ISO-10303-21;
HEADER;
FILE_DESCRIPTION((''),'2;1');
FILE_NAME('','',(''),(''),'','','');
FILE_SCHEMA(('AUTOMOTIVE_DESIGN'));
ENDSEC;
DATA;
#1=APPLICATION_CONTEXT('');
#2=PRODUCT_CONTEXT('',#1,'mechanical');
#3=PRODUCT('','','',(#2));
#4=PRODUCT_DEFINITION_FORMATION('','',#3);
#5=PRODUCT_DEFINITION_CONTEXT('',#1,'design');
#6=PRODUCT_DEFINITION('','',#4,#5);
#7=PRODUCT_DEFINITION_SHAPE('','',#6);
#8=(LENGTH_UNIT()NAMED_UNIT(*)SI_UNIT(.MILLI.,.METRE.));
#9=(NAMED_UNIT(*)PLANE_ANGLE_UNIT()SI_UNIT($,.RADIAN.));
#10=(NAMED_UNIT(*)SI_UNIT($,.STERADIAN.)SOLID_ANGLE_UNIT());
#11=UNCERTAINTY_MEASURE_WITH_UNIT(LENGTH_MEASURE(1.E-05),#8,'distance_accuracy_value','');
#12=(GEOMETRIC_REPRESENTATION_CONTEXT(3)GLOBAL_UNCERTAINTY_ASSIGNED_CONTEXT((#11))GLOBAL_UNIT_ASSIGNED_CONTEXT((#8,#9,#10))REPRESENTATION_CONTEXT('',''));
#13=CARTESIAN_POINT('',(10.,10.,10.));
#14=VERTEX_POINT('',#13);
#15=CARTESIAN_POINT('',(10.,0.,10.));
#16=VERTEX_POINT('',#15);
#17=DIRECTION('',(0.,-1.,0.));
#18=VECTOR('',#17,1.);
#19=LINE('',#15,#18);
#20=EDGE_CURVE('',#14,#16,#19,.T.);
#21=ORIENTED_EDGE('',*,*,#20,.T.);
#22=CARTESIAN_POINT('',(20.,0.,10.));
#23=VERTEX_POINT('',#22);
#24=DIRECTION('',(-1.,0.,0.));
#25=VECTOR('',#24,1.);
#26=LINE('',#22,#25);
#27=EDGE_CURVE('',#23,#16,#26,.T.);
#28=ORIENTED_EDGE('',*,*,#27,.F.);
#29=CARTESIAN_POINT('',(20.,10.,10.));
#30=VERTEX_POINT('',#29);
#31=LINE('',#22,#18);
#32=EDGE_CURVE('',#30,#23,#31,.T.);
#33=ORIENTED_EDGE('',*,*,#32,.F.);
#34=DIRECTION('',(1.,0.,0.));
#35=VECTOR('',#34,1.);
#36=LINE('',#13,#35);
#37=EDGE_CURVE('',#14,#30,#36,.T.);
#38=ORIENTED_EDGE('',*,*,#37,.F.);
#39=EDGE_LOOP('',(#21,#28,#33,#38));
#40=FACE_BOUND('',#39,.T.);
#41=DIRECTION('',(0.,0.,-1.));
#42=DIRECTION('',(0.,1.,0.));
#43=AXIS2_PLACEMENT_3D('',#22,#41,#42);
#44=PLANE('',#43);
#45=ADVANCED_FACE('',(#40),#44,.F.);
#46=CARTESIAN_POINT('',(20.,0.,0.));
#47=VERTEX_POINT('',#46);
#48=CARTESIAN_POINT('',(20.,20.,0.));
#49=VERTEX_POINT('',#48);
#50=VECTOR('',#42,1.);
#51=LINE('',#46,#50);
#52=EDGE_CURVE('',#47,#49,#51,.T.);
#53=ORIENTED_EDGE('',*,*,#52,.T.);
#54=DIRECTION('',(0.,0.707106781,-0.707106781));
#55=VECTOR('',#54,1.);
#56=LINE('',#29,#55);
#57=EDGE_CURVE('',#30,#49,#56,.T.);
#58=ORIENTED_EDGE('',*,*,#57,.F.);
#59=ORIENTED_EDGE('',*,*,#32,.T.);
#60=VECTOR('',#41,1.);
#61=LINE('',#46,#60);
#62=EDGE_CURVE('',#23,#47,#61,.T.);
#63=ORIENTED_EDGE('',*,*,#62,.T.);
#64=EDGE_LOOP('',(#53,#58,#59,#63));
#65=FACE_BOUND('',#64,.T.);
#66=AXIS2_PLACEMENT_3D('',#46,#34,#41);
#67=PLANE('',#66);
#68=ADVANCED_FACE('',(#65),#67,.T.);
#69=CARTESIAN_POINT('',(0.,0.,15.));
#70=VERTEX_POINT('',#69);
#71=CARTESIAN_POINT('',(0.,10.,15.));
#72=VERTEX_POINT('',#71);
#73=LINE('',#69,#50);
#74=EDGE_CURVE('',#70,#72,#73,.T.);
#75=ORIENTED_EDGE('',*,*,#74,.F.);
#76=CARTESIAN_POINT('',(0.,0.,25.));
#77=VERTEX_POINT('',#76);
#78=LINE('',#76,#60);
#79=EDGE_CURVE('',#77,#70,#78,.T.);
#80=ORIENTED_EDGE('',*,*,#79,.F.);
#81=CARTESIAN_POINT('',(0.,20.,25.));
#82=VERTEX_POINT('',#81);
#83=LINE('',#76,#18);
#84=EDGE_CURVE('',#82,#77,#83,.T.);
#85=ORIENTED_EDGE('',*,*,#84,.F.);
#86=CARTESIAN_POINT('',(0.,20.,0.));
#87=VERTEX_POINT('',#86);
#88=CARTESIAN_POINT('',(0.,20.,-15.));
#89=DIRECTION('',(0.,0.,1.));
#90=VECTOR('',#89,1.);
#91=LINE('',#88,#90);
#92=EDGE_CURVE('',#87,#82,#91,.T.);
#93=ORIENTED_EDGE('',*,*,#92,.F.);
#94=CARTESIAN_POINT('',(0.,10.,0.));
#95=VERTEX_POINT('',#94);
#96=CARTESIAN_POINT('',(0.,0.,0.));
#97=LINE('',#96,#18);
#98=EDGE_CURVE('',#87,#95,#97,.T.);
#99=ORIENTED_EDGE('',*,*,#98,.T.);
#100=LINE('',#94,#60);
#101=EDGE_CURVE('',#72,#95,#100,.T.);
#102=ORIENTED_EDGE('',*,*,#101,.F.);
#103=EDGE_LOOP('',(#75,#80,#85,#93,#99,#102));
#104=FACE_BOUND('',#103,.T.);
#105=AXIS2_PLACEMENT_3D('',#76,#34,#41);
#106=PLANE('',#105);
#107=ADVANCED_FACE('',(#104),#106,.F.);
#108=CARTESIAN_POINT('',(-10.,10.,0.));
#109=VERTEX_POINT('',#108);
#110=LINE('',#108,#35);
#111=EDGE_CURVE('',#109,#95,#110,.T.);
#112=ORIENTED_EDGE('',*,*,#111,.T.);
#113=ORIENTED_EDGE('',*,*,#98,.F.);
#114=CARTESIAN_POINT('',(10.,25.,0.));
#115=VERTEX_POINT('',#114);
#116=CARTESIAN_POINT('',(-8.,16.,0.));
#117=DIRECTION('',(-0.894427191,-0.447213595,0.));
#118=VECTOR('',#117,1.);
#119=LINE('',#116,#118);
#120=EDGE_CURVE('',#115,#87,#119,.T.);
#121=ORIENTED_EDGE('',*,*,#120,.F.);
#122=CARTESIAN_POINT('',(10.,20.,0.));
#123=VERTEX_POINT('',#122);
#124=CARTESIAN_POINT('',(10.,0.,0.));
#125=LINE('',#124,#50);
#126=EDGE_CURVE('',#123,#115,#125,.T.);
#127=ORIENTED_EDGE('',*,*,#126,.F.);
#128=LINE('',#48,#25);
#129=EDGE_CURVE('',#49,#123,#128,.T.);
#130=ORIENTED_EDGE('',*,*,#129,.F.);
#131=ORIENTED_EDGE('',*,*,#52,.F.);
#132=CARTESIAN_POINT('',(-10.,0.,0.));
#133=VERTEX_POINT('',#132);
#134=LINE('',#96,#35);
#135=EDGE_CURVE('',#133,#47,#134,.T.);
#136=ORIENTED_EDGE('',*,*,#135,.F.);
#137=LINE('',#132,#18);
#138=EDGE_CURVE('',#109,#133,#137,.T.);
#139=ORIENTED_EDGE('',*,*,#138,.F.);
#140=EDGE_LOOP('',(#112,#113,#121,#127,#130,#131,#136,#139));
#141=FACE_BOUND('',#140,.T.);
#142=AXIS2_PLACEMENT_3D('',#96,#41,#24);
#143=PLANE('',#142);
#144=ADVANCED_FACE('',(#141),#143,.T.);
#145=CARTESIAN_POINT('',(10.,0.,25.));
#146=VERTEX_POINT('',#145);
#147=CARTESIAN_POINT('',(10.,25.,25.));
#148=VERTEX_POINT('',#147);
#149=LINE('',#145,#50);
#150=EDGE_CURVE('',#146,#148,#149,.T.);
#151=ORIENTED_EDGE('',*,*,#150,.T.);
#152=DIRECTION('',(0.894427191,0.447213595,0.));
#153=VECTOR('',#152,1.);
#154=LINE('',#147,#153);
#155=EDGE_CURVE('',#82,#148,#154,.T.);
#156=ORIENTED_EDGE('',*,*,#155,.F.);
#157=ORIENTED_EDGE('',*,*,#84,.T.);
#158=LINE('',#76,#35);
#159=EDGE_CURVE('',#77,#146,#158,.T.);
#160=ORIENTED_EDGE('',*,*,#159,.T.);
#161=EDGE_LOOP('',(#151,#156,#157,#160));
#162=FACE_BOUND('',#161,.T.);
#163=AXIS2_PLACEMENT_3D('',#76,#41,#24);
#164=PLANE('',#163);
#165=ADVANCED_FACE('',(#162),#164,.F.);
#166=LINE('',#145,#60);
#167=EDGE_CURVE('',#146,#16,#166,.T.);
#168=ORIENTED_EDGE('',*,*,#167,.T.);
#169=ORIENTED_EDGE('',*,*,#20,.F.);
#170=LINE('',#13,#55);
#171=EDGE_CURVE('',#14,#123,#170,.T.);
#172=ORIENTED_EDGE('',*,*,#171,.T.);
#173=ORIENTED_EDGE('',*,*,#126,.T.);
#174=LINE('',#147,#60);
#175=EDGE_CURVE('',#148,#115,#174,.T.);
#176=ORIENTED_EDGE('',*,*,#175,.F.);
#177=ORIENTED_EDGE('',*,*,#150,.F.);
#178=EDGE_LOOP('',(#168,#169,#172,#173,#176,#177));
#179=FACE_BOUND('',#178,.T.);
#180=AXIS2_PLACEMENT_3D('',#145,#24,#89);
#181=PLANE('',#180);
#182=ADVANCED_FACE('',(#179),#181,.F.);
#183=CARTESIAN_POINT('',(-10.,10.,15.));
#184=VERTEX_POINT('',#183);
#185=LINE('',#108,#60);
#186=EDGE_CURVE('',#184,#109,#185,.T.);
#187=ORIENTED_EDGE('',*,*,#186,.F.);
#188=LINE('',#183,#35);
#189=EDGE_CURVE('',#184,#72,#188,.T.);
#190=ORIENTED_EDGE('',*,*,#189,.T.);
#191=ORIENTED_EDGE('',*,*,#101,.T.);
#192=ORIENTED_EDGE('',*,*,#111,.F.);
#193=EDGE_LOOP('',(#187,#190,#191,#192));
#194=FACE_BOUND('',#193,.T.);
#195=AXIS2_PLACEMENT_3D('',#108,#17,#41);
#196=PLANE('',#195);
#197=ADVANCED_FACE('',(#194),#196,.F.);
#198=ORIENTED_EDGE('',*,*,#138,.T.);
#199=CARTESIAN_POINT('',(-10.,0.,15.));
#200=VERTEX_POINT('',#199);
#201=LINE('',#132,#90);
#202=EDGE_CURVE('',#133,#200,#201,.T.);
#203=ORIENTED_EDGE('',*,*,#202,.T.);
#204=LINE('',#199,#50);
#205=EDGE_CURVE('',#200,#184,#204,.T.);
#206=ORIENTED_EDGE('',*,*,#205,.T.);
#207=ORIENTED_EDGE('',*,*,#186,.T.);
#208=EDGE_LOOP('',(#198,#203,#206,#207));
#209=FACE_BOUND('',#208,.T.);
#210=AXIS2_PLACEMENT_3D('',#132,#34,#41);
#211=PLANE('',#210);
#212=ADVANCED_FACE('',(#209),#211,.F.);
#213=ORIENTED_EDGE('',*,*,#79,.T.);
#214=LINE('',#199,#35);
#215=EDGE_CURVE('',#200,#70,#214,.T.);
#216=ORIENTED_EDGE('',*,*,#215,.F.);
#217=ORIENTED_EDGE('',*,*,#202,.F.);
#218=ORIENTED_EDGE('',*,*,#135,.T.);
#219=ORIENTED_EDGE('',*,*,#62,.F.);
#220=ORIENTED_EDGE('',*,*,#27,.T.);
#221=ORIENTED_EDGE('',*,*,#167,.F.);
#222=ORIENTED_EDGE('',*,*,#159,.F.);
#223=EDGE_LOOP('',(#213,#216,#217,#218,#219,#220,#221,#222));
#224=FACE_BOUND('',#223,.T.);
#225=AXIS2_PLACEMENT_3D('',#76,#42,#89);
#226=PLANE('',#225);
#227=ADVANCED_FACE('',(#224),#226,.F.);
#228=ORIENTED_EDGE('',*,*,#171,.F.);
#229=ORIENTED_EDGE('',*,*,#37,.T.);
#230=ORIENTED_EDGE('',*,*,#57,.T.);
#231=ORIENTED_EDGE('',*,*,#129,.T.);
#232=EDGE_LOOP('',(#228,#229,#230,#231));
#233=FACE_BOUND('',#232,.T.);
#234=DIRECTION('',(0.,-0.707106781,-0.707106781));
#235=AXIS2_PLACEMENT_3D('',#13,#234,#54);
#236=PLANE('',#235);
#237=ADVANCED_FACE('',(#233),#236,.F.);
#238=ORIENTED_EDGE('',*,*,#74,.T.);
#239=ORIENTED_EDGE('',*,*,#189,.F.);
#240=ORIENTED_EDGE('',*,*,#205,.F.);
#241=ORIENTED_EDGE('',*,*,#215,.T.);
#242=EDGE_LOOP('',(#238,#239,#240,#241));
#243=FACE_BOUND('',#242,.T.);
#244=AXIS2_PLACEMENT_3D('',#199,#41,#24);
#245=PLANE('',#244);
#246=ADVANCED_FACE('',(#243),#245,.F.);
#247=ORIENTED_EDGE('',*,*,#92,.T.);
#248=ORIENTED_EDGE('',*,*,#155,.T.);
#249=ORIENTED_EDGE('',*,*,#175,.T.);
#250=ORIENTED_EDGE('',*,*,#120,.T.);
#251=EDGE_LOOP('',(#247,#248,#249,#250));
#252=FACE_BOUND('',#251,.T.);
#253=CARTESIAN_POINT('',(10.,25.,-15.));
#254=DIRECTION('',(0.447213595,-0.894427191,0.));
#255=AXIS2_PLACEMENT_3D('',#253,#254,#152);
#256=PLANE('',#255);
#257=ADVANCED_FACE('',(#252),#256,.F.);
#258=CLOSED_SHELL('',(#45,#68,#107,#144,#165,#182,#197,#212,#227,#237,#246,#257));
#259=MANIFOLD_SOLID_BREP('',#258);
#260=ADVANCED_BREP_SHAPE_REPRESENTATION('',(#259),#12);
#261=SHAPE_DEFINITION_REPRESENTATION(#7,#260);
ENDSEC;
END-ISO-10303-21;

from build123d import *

# Parameters (mm, degrees)
SKETCH1_W           = 10
SKETCH1_H           = 25
BOSS_EXTRUDE1_DEPTH = 25
SKETCH2_W           = 10
SKETCH2_H           = 20
BOSS_EXTRUDE2_DEPTH = 10
CUT_EXTRUDE1_DEPTH  = 40
CUT_EXTRUDE2_DEPTH  = 10
SKETCH5_W           = 15
SKETCH5_H           = 10
BOSS_EXTRUDE3_DEPTH = 10


with BuildPart() as part:
    # Sketch1 → Boss-Extrude1 (new body)
    with BuildSketch(Plane.XY):
        with Locations((5, 12.5)):
            Rectangle(SKETCH1_W, SKETCH1_H)
    extrude(amount=BOSS_EXTRUDE1_DEPTH)

    # Sketch2 → Boss-Extrude2 (add)
    with BuildSketch(Plane(origin=(10, 0, 0), x_dir=(0, 0, -1), z_dir=(1, 0, 0))):
        with Locations((-5, 10)):
            Rectangle(SKETCH2_W, SKETCH2_H)
    extrude(amount=BOSS_EXTRUDE2_DEPTH)

    # Sketch3 → Cut-Extrude1 (cut)
    with BuildSketch(Plane.XY.offset(25)):
        Polygon((10, 25), (0, 20), (0, 25), align=None)
    extrude(amount=-CUT_EXTRUDE1_DEPTH, mode=Mode.SUBTRACT)

    # Sketch4 → Cut-Extrude2 (cut)
    with BuildSketch(Plane(origin=(20, 0, 0), x_dir=(0, 0, -1), z_dir=(1, 0, 0))):
        Polygon((-10, 10), (0, 20), (-10, 20), align=None)
    extrude(amount=-CUT_EXTRUDE2_DEPTH, mode=Mode.SUBTRACT)

    # Sketch5 → Boss-Extrude3 (add)
    with BuildSketch(Plane.ZY):
        with Locations((7.5, 5)):
            Rectangle(SKETCH5_W, SKETCH5_H)
    extrude(amount=BOSS_EXTRUDE3_DEPTH)


solid = part.part
